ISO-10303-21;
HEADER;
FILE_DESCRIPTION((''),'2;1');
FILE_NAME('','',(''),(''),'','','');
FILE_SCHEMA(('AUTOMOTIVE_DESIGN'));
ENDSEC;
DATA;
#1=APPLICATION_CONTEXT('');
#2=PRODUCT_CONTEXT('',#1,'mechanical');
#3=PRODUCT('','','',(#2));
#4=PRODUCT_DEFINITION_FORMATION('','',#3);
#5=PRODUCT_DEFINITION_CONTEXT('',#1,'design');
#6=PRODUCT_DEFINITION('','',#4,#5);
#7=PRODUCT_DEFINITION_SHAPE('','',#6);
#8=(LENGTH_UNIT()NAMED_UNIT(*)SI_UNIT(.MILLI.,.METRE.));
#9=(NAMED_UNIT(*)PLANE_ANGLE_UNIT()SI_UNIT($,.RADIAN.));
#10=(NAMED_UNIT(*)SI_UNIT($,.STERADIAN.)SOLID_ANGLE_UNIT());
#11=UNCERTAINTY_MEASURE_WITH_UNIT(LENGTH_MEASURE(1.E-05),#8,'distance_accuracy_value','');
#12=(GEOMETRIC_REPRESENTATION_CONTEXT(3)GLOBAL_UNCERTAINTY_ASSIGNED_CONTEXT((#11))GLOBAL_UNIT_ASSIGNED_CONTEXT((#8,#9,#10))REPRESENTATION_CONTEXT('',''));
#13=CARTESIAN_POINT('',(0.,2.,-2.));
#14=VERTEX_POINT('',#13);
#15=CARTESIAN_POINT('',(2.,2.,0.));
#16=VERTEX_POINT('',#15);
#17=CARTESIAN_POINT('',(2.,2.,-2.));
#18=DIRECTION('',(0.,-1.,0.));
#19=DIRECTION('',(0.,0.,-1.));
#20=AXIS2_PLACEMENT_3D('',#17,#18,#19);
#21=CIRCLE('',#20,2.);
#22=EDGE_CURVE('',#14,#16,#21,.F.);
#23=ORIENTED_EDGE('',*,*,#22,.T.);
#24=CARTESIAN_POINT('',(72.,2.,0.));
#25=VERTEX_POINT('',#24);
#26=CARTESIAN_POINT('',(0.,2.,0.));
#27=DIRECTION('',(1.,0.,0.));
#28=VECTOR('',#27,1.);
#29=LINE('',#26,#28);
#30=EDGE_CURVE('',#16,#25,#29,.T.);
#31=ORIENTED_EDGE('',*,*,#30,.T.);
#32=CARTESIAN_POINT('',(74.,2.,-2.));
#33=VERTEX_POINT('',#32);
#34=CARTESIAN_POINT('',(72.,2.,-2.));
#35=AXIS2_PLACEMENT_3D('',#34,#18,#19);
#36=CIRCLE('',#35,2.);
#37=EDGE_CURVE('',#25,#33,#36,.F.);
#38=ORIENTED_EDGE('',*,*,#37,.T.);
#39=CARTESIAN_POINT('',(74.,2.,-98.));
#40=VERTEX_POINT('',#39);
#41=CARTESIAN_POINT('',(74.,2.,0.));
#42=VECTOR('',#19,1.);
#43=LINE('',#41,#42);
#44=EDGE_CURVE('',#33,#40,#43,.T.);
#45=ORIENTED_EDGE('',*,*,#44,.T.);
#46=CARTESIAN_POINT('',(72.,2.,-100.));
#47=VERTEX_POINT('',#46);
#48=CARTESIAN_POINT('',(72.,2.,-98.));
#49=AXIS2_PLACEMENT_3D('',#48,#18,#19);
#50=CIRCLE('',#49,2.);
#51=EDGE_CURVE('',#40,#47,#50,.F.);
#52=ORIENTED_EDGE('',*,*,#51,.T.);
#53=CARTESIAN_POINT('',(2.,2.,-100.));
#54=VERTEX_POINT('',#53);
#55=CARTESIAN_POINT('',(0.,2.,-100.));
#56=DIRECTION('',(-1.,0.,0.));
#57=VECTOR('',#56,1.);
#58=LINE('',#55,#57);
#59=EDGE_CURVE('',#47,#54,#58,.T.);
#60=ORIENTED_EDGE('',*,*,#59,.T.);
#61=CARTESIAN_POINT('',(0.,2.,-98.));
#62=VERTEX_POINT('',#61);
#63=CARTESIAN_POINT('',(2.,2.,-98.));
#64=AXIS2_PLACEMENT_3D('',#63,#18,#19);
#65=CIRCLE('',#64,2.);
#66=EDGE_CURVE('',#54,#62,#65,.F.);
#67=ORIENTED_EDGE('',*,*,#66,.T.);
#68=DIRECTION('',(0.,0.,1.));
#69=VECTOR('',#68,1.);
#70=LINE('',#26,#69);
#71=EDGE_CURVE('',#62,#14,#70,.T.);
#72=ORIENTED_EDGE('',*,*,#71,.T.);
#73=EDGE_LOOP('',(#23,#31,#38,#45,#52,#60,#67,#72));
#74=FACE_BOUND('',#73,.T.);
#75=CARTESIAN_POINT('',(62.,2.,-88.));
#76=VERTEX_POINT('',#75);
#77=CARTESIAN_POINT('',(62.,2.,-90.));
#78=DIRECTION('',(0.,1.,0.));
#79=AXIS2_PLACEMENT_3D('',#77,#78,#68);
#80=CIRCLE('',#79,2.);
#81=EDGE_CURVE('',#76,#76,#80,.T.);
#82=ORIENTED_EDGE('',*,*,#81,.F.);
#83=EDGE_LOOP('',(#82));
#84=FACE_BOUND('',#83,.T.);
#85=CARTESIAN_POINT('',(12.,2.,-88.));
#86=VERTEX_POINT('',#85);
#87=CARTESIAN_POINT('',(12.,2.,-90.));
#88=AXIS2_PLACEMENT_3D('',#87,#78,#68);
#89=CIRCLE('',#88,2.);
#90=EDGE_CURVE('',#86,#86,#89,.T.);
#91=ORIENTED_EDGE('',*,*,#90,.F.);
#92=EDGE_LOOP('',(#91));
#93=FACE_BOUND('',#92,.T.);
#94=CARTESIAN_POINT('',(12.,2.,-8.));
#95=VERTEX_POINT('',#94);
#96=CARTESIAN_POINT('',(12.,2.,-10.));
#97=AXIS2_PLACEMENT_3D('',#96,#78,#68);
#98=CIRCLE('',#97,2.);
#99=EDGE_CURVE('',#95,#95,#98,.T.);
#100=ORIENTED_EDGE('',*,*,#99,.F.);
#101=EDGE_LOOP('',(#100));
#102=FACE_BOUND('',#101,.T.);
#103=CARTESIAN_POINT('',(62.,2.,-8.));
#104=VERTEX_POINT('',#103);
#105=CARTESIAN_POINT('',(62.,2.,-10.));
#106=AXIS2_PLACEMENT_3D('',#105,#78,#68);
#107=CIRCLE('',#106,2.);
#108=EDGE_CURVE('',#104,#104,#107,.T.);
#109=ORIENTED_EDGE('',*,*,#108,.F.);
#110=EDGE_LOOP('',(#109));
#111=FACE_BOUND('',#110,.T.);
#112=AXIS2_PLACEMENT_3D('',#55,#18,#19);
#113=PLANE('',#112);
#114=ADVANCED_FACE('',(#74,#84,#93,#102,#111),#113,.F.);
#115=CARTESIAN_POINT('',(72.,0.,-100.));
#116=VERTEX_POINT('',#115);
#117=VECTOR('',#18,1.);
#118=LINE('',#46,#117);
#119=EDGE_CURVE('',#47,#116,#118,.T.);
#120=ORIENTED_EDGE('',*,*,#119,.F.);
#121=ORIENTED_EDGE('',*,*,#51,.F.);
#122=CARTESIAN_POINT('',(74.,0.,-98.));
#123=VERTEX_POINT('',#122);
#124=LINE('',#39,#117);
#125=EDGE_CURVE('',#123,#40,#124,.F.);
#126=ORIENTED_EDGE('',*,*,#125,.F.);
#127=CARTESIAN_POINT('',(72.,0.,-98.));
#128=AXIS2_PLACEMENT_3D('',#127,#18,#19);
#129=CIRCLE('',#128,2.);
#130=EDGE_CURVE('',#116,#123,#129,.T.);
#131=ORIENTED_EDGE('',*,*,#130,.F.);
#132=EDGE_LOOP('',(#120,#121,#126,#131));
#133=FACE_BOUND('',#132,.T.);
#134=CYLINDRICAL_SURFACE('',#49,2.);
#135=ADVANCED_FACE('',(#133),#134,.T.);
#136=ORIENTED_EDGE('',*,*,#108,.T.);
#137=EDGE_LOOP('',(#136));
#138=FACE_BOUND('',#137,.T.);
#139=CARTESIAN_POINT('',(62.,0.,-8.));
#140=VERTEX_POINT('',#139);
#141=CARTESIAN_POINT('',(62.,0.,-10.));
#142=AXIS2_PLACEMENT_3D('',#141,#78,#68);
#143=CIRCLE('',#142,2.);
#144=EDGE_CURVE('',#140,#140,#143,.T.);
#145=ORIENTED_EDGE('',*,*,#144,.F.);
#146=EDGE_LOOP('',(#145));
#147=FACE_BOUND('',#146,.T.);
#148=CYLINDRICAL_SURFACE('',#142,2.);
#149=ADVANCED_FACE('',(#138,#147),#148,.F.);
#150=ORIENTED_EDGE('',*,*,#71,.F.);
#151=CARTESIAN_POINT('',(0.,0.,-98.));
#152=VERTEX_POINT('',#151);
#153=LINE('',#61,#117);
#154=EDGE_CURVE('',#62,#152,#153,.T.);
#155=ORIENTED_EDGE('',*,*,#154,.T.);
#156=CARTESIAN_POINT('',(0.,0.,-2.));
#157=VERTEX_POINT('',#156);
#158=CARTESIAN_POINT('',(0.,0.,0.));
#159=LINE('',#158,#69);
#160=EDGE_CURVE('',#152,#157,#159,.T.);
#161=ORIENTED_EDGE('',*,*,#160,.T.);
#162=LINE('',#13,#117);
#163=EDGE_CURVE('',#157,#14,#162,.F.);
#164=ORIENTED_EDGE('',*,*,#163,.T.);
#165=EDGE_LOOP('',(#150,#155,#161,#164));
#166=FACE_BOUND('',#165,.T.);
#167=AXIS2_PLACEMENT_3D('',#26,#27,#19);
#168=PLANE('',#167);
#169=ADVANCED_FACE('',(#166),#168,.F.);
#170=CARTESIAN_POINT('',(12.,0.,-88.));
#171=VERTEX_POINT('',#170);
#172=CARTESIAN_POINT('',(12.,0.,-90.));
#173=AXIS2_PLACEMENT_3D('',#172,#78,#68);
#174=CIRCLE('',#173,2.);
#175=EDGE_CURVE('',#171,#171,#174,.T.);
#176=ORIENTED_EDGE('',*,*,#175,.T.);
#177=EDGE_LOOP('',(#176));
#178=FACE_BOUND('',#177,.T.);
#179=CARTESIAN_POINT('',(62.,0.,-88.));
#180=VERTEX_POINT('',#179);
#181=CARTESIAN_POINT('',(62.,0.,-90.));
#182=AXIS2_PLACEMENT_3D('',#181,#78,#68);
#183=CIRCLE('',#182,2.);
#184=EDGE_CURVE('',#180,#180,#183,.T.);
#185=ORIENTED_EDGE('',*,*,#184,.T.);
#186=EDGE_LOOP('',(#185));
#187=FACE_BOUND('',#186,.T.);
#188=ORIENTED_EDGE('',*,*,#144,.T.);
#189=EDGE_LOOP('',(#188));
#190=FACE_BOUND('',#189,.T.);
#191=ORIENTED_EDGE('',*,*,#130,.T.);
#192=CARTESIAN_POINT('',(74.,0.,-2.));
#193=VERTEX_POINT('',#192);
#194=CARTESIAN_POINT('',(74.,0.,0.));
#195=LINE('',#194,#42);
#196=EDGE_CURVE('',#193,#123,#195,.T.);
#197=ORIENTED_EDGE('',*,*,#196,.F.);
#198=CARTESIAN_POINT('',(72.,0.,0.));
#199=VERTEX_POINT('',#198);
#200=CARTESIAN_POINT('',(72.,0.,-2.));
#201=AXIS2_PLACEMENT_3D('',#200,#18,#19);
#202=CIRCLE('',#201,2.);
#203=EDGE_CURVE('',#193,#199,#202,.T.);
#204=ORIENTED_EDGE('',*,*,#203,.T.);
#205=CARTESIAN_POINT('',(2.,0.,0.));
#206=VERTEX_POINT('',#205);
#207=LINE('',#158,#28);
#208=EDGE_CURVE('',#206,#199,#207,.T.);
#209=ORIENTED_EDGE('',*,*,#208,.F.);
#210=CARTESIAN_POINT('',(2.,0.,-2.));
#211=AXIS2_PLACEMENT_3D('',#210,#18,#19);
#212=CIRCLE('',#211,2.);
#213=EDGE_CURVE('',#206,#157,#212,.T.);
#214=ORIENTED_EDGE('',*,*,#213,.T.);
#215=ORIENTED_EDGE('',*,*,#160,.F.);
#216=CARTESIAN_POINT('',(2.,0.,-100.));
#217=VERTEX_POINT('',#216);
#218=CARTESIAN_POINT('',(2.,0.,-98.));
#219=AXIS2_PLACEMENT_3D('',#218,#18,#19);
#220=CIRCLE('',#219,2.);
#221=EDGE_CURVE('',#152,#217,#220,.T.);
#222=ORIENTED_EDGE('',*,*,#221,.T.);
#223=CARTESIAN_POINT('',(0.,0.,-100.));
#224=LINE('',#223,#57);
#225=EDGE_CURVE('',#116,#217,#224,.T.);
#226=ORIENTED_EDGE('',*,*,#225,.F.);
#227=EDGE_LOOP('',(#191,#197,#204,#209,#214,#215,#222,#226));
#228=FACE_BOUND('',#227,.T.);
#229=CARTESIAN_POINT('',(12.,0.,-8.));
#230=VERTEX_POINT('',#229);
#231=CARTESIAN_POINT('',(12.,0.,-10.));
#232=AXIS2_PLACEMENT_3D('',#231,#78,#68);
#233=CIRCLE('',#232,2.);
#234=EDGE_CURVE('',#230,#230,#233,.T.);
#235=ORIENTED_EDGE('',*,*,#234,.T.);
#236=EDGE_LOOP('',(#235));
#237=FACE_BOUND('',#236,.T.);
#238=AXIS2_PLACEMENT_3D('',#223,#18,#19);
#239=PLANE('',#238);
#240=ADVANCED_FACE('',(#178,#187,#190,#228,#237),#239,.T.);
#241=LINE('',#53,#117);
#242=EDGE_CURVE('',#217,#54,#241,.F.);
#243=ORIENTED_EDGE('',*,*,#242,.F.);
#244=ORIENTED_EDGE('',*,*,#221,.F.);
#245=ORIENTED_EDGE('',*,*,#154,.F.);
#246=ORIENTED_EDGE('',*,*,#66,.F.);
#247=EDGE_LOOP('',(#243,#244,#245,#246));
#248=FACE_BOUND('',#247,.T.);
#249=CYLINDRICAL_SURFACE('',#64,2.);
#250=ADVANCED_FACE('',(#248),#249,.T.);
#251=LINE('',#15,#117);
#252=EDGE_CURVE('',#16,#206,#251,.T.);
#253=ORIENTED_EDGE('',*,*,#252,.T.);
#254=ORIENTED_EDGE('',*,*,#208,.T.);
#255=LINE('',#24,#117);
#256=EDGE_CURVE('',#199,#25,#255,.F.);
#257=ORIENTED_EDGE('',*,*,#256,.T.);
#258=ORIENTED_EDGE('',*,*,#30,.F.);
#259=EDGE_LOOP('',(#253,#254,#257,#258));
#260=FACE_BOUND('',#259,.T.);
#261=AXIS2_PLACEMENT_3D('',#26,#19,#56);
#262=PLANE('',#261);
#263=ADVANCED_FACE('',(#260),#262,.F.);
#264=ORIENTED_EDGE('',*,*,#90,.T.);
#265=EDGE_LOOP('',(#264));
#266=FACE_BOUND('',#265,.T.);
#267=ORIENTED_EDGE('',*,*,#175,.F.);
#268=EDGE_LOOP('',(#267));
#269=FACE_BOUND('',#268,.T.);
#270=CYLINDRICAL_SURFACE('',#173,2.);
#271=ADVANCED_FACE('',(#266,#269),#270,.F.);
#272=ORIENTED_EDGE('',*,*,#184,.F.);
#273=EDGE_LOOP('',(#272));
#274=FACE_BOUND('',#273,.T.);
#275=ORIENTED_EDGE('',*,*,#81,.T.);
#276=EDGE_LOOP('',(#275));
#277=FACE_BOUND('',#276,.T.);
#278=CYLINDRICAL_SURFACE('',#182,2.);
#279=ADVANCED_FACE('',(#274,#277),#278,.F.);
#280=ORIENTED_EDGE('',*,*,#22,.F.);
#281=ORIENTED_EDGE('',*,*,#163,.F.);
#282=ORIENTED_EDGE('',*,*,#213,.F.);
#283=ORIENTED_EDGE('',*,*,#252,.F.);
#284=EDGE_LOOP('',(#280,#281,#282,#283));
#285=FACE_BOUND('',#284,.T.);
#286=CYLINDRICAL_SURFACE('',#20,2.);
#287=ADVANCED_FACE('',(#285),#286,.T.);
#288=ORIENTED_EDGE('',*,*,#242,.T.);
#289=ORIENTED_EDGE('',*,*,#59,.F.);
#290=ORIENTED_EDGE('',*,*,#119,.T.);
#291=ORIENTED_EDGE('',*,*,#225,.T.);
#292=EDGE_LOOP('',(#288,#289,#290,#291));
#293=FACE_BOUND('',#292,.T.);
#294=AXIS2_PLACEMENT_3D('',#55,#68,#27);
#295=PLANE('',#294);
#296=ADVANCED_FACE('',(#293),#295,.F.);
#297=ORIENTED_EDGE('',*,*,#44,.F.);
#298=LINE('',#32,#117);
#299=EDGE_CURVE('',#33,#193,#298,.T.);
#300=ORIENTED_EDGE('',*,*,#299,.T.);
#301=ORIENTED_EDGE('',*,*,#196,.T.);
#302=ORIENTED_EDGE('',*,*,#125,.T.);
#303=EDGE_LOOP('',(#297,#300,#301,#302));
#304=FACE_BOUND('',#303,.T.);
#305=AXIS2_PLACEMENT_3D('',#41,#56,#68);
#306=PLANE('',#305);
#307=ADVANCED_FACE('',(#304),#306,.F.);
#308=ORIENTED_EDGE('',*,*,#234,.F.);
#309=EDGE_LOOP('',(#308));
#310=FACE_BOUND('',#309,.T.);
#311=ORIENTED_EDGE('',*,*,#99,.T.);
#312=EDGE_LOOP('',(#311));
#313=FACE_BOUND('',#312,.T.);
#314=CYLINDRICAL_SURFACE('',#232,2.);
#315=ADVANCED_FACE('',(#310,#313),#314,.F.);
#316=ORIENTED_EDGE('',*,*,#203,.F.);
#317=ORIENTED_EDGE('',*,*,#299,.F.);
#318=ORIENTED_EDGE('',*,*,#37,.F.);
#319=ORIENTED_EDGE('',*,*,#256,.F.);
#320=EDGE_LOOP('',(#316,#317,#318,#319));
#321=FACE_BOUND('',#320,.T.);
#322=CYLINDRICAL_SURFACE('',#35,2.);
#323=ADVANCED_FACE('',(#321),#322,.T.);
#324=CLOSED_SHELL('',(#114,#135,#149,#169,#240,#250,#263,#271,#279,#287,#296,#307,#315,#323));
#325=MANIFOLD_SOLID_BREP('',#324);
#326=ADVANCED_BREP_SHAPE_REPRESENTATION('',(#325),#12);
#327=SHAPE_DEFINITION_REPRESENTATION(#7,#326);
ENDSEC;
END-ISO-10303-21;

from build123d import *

# Parameters (mm, degrees)
SKETCH1_W           = 74
SKETCH1_H           = 100
BOSS_EXTRUDE1_DEPTH = 2
FILLET1_R           = 2
SKETCH2_R           = 2
CUT_EXTRUDE1_DEPTH  = 3


with BuildPart() as part:
    # Sketch1 → Boss-Extrude1 (new body)
    with BuildSketch(Plane(origin=(0, 0, 0), x_dir=(1, 0, 0), z_dir=(0, 1, 0))):
        with Locations((37, 50)):
            Rectangle(SKETCH1_W, SKETCH1_H)
    extrude(amount=BOSS_EXTRUDE1_DEPTH)

    # Fillet1
    fillet1_edges = [part.edges().sort_by_distance(p)[0] for p in [
        (0, 1, -100),
        (74, 1, -100),
        (74, 1, 0),
        (0, 1, 0),
    ]]
    fillet(fillet1_edges, radius=FILLET1_R)

    # Sketch2 → Cut-Extrude1 (cut, through all)
    with BuildSketch(Plane(origin=(0, 2, 0), x_dir=(1, 0, 0), z_dir=(0, 1, 0))):
        with Locations((12, 90)):
            Circle(SKETCH2_R)
        with Locations((62, 90)):
            Circle(SKETCH2_R)
        with Locations((62, 10)):
            Circle(SKETCH2_R)
        with Locations((12, 10)):
            Circle(SKETCH2_R)
    extrude(amount=-CUT_EXTRUDE1_DEPTH, mode=Mode.SUBTRACT)


solid = part.part
